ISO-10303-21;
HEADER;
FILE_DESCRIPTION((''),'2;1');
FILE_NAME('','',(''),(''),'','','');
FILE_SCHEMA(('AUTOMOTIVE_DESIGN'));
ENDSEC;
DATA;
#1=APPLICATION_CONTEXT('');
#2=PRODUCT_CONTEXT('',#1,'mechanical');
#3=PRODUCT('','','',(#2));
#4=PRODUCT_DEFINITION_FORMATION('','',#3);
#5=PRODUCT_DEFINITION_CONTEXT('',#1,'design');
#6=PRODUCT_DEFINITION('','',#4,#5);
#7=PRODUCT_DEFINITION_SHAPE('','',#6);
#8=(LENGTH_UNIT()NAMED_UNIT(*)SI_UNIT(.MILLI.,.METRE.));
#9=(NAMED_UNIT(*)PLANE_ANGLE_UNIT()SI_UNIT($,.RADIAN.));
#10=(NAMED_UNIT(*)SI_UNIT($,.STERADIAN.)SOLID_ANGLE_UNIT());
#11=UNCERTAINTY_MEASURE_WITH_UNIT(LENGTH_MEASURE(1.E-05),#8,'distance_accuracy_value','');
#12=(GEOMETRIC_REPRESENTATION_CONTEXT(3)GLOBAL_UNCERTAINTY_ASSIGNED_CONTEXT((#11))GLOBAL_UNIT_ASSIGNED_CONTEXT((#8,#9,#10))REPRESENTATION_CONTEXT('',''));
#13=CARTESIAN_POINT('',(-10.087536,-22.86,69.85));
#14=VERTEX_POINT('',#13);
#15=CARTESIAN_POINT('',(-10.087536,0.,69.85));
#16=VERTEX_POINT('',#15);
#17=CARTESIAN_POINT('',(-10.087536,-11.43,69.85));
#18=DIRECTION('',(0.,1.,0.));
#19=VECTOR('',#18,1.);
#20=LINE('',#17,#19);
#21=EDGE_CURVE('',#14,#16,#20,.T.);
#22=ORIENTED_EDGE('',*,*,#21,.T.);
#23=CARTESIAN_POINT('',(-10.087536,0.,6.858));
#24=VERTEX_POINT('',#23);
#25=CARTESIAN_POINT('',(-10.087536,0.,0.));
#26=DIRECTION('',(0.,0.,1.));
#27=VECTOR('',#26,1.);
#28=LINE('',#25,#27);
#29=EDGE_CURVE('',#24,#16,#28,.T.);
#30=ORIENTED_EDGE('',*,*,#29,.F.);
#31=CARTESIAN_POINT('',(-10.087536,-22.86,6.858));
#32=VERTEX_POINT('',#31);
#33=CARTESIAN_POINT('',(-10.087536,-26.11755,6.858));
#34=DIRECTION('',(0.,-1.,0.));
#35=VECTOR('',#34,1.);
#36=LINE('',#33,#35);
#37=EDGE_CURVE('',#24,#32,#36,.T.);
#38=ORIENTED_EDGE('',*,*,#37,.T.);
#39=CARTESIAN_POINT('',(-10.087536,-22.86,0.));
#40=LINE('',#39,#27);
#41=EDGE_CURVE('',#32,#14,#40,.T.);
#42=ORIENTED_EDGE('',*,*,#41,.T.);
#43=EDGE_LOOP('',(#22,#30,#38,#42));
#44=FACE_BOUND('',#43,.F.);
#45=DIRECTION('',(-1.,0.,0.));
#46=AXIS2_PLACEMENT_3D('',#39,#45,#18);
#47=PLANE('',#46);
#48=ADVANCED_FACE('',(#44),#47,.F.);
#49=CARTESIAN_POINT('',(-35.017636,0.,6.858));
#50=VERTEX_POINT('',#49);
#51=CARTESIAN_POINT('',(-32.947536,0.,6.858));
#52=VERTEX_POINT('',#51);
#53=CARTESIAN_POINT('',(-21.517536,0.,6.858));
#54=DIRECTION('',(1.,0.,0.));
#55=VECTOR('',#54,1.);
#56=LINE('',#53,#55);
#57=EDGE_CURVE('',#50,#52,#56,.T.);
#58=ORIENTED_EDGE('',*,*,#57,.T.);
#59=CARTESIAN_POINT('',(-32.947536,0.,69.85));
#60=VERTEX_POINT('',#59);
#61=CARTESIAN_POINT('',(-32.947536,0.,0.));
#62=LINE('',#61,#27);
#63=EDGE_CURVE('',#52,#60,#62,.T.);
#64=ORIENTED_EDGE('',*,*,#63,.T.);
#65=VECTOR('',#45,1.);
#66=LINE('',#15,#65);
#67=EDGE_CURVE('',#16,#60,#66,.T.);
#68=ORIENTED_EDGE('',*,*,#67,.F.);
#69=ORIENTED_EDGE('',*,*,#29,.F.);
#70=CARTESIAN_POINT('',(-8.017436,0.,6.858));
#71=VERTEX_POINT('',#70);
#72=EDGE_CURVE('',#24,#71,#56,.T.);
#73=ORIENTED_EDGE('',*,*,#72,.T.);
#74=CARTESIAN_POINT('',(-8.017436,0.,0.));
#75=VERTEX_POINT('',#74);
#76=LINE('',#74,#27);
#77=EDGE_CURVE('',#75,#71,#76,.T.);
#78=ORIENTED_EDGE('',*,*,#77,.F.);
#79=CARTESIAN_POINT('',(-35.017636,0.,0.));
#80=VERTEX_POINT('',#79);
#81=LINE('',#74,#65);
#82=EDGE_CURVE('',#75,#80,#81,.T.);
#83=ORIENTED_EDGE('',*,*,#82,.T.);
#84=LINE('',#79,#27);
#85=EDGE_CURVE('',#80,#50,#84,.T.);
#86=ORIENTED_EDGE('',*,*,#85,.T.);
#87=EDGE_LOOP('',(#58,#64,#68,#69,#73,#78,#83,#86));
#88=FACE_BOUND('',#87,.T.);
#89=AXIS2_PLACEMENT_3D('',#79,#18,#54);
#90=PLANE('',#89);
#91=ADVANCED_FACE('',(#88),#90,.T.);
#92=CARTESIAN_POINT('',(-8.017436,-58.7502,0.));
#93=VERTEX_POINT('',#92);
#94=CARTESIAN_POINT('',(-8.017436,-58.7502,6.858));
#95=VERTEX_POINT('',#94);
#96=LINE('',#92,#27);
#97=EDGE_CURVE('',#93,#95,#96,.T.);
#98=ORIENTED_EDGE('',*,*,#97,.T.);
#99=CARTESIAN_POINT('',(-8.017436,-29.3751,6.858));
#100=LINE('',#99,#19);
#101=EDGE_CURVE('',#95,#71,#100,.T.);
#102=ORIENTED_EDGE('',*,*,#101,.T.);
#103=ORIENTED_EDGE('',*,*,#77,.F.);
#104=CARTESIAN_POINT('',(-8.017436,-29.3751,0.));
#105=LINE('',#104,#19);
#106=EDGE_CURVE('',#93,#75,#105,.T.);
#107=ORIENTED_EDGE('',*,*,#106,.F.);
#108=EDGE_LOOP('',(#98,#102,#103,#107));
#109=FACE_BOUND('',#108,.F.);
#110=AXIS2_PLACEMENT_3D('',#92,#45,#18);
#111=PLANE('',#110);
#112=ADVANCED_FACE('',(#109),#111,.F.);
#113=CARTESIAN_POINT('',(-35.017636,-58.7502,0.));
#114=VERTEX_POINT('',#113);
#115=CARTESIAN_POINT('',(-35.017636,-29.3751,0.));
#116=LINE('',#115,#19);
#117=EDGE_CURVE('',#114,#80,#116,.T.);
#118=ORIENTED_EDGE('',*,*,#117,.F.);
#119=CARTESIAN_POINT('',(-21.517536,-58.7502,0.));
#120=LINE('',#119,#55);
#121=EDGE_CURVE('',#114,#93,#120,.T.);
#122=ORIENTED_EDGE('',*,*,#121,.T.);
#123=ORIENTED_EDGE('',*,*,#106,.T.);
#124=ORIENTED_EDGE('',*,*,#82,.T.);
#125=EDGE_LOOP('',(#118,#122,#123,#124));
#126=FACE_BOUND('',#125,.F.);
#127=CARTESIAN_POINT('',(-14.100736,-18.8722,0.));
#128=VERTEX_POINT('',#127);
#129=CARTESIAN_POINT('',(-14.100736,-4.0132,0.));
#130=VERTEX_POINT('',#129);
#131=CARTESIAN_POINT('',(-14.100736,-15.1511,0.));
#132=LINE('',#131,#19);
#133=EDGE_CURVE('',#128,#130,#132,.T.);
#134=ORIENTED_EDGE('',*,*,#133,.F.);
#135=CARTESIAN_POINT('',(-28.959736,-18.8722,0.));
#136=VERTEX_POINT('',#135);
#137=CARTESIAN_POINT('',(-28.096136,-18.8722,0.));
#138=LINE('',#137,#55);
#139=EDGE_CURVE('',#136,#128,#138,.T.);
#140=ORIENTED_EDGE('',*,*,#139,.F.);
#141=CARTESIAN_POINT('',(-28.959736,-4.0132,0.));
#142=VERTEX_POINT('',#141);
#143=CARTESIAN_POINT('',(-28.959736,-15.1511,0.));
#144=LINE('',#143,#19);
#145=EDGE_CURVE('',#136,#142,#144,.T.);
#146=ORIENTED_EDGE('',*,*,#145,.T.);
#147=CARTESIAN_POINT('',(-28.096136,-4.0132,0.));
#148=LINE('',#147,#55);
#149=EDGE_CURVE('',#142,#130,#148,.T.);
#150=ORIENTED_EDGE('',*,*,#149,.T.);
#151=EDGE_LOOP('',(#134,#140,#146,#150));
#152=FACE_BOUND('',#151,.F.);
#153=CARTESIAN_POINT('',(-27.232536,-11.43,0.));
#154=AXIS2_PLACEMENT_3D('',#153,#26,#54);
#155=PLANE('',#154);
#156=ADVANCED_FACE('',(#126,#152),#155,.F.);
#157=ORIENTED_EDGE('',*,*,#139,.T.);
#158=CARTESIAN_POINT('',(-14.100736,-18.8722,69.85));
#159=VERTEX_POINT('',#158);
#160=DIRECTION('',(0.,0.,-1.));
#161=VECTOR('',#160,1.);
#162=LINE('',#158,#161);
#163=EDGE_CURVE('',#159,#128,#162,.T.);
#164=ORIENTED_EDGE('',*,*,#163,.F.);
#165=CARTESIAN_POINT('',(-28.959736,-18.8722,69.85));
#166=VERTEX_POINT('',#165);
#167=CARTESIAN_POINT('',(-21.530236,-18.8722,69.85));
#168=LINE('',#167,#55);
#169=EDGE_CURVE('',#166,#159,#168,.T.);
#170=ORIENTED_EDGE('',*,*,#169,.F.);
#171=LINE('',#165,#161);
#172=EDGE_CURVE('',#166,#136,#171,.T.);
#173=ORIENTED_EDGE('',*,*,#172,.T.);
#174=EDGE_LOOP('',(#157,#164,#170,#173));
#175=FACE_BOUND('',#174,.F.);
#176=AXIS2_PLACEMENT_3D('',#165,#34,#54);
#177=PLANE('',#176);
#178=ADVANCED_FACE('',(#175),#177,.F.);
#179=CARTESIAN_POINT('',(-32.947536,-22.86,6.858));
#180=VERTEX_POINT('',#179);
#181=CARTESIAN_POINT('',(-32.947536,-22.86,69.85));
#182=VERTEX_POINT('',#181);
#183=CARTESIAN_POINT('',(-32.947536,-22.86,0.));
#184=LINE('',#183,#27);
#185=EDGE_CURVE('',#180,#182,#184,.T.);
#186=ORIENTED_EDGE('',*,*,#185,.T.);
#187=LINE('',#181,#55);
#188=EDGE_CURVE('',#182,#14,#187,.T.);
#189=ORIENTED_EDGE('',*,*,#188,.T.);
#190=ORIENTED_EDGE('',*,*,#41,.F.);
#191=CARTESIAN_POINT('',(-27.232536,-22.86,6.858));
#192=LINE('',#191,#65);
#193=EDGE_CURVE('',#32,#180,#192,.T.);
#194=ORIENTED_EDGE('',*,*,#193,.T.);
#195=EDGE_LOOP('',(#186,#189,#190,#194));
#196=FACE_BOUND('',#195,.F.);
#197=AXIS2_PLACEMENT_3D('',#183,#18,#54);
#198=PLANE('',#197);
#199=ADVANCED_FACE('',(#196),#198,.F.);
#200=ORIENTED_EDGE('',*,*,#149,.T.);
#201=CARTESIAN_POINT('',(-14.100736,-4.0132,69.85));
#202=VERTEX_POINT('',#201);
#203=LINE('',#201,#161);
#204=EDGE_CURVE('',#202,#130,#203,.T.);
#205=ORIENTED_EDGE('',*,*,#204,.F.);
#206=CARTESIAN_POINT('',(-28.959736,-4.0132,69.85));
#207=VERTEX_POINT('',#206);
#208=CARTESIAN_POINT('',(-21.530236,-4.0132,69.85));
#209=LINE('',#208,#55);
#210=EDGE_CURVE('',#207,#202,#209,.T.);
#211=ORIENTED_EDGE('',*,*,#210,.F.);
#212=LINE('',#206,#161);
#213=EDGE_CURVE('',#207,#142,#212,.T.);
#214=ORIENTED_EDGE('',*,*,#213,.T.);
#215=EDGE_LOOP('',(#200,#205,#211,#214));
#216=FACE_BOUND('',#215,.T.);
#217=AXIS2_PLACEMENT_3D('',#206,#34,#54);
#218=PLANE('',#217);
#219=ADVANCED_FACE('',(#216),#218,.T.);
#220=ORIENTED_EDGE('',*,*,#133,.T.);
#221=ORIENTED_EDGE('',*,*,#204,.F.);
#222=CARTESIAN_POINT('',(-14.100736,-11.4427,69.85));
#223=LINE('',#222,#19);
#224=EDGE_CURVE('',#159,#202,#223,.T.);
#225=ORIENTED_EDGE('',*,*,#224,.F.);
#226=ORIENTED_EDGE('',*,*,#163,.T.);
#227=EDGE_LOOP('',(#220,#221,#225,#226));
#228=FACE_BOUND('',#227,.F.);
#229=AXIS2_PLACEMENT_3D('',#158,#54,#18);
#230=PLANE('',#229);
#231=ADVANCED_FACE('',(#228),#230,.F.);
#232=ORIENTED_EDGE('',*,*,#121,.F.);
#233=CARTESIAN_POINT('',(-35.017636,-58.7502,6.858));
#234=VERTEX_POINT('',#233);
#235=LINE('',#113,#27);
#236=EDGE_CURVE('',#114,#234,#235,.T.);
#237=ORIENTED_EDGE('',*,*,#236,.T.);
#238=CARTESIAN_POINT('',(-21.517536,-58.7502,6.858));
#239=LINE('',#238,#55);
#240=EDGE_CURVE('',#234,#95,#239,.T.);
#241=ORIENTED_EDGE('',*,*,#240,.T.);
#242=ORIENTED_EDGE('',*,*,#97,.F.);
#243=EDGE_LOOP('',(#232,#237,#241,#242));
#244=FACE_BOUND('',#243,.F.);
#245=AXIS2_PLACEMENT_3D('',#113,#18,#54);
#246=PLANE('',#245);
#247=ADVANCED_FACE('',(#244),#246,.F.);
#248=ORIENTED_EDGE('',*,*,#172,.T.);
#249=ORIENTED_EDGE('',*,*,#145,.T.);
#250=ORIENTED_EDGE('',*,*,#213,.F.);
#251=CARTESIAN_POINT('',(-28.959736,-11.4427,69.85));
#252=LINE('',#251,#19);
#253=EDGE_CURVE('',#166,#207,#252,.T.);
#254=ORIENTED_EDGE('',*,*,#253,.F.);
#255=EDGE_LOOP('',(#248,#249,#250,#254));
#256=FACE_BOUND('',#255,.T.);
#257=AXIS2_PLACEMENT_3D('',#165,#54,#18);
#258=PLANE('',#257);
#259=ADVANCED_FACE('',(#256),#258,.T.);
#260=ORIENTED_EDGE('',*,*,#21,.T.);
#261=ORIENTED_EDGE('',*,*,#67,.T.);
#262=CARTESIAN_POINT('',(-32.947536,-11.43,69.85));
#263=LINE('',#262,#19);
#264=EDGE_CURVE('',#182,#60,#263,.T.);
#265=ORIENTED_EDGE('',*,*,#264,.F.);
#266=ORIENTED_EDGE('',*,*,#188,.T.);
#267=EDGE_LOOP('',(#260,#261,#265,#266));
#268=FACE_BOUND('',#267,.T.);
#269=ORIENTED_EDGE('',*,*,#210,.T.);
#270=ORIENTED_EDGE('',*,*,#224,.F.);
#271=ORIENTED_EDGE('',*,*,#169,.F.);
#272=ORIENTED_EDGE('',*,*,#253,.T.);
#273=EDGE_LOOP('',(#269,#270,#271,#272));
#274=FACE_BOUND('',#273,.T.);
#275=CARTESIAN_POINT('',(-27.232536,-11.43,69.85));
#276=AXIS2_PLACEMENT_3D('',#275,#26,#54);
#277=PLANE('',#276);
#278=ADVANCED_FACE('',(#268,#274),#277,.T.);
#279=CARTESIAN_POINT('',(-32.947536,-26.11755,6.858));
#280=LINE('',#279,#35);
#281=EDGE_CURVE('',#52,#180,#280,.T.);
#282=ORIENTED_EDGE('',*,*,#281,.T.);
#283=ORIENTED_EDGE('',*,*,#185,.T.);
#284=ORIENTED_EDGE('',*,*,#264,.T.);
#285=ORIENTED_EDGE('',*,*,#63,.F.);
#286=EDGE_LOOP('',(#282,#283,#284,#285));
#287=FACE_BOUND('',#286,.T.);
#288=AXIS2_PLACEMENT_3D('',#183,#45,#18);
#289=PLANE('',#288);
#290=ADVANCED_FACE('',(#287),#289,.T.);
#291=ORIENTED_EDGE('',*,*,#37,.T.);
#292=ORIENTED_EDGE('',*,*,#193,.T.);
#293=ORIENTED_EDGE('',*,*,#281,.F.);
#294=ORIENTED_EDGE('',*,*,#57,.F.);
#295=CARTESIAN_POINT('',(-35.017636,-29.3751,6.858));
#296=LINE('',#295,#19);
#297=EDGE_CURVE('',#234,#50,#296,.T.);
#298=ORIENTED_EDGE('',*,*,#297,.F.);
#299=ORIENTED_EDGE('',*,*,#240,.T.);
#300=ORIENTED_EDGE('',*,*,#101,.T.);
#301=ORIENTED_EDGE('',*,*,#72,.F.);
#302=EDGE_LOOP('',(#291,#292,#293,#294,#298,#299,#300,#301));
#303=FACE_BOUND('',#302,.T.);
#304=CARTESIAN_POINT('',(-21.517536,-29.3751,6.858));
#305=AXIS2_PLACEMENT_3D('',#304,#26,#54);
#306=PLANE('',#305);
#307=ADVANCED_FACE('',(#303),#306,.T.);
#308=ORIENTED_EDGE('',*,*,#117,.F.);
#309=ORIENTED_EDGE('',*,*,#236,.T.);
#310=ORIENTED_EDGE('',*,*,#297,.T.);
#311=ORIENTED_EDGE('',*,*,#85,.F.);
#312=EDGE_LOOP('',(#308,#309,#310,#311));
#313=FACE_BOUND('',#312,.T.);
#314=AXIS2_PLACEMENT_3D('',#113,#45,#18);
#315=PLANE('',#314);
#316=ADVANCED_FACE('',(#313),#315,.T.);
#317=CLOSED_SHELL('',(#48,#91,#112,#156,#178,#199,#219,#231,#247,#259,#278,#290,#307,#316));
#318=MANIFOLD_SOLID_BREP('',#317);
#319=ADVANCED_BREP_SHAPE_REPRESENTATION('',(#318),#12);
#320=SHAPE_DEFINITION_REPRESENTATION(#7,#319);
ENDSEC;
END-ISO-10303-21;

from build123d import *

# Parameters (mm, degrees)
F0_W     = 27.0002
F0_H     = 58.7502
F1_DEPTH = 6.858
F2_W     = 11.43
F2_H     = 22.86
F3_DEPTH = 69.85
F4_W     = 14.859
F4_H     = 14.859
F5_DEPTH = 76.2


with BuildPart() as f1:
    # F0 (on Top) → F1 (new body)
    with BuildSketch(Plane.XY):
        with Locations((-21.517536, -29.3751)):
            Rectangle(F0_W, F0_H)
    extrude(amount=F1_DEPTH)

    # F2 (on Top) → F3 (join)
    with BuildSketch(Plane.XY):
        with Locations((-27.232536, -11.43)):
            Rectangle(F2_W, F2_H)
        with Locations((-15.802536, -11.43)):
            Rectangle(F2_W, F2_H)
    extrude(amount=F3_DEPTH)

    # F4 (on face) → F5 (cut)
    with BuildSketch(Plane.XY.offset(69.85)):
        with Locations((-21.530236, -11.4427)):
            Rectangle(F4_W, F4_H)
    extrude(amount=-F5_DEPTH, mode=Mode.SUBTRACT)


solid = f1.part
